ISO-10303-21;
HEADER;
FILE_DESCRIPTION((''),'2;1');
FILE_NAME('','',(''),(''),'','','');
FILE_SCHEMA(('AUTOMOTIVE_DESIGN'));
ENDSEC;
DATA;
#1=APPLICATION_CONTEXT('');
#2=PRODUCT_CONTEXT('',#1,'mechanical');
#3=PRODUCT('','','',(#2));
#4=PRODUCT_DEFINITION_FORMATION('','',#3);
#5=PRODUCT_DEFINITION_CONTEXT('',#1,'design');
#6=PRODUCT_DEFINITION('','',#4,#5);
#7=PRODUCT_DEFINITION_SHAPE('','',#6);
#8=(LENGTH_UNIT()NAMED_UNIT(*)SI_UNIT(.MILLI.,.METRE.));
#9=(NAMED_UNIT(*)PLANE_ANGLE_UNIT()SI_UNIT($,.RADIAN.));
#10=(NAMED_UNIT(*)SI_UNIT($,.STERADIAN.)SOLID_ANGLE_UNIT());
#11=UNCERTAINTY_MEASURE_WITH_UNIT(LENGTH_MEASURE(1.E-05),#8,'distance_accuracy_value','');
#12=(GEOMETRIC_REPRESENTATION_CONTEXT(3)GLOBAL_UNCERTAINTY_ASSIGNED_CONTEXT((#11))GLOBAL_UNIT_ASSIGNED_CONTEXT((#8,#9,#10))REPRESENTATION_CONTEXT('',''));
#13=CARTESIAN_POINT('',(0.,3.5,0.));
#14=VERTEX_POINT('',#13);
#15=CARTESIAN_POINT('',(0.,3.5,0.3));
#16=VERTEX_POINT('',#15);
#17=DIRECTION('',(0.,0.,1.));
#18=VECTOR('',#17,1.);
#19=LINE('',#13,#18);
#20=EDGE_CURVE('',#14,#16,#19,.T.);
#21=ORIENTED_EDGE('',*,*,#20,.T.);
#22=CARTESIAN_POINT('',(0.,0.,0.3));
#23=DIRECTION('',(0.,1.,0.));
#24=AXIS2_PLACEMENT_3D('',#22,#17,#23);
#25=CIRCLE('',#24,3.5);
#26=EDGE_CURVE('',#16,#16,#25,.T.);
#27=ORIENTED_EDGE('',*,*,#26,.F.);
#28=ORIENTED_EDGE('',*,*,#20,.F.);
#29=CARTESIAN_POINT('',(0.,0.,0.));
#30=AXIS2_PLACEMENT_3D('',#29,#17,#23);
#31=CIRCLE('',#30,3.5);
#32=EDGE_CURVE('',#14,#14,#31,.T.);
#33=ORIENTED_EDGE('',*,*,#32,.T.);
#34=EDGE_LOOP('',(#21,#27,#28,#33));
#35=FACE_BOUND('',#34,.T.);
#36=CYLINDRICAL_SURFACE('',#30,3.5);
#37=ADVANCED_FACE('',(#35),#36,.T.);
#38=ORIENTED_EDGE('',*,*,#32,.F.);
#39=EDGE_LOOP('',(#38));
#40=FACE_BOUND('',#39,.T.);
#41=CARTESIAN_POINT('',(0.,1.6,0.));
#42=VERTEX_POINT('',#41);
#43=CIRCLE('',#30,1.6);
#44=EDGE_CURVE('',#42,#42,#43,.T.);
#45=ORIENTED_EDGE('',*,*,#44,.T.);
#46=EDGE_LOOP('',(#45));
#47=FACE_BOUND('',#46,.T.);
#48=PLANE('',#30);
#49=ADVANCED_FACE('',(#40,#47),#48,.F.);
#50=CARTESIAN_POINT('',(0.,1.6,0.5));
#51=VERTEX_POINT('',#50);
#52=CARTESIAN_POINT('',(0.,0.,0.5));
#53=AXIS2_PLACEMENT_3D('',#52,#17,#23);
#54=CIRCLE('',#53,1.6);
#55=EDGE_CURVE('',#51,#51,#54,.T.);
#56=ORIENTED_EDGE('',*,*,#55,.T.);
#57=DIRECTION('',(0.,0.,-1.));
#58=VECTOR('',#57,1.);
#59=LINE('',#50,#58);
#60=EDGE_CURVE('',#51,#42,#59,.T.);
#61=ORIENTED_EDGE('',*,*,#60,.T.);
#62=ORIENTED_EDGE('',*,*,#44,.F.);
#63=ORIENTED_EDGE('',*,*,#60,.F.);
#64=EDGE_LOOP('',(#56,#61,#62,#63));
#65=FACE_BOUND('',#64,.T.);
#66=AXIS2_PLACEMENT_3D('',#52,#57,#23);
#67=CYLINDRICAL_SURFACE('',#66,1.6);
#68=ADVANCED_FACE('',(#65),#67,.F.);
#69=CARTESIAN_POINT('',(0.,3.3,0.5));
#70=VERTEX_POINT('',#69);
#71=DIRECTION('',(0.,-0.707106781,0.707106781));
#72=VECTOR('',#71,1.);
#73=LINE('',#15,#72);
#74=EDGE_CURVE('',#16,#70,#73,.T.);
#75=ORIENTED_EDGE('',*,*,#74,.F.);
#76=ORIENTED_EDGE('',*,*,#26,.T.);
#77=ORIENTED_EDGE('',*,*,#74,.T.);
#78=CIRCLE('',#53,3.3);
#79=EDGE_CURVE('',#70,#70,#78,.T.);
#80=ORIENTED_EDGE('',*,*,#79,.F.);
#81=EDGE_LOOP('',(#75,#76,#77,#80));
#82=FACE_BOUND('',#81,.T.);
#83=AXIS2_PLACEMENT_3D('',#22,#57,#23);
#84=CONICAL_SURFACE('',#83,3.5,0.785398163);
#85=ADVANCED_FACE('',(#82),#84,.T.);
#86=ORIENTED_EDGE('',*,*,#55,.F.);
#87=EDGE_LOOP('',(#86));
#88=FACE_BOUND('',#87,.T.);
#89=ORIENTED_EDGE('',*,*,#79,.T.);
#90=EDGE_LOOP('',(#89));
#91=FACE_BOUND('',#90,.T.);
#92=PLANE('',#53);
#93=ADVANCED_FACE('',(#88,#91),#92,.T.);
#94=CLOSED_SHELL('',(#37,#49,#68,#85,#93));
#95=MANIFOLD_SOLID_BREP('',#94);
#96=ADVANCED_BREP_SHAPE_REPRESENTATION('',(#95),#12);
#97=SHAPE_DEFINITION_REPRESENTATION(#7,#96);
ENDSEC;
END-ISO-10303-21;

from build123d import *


with BuildPart() as part:
    # Sketch → Revolution (revolve)
    with BuildSketch(Plane.YZ):
        Polygon((1.6, 0), (3.5, 0), (3.5, 0.3), (3.3, 0.5), (1.6, 0.5), align=None)
    revolve(axis=Axis((0, 0, 0), (0, 0, 1)))


solid = part.part
